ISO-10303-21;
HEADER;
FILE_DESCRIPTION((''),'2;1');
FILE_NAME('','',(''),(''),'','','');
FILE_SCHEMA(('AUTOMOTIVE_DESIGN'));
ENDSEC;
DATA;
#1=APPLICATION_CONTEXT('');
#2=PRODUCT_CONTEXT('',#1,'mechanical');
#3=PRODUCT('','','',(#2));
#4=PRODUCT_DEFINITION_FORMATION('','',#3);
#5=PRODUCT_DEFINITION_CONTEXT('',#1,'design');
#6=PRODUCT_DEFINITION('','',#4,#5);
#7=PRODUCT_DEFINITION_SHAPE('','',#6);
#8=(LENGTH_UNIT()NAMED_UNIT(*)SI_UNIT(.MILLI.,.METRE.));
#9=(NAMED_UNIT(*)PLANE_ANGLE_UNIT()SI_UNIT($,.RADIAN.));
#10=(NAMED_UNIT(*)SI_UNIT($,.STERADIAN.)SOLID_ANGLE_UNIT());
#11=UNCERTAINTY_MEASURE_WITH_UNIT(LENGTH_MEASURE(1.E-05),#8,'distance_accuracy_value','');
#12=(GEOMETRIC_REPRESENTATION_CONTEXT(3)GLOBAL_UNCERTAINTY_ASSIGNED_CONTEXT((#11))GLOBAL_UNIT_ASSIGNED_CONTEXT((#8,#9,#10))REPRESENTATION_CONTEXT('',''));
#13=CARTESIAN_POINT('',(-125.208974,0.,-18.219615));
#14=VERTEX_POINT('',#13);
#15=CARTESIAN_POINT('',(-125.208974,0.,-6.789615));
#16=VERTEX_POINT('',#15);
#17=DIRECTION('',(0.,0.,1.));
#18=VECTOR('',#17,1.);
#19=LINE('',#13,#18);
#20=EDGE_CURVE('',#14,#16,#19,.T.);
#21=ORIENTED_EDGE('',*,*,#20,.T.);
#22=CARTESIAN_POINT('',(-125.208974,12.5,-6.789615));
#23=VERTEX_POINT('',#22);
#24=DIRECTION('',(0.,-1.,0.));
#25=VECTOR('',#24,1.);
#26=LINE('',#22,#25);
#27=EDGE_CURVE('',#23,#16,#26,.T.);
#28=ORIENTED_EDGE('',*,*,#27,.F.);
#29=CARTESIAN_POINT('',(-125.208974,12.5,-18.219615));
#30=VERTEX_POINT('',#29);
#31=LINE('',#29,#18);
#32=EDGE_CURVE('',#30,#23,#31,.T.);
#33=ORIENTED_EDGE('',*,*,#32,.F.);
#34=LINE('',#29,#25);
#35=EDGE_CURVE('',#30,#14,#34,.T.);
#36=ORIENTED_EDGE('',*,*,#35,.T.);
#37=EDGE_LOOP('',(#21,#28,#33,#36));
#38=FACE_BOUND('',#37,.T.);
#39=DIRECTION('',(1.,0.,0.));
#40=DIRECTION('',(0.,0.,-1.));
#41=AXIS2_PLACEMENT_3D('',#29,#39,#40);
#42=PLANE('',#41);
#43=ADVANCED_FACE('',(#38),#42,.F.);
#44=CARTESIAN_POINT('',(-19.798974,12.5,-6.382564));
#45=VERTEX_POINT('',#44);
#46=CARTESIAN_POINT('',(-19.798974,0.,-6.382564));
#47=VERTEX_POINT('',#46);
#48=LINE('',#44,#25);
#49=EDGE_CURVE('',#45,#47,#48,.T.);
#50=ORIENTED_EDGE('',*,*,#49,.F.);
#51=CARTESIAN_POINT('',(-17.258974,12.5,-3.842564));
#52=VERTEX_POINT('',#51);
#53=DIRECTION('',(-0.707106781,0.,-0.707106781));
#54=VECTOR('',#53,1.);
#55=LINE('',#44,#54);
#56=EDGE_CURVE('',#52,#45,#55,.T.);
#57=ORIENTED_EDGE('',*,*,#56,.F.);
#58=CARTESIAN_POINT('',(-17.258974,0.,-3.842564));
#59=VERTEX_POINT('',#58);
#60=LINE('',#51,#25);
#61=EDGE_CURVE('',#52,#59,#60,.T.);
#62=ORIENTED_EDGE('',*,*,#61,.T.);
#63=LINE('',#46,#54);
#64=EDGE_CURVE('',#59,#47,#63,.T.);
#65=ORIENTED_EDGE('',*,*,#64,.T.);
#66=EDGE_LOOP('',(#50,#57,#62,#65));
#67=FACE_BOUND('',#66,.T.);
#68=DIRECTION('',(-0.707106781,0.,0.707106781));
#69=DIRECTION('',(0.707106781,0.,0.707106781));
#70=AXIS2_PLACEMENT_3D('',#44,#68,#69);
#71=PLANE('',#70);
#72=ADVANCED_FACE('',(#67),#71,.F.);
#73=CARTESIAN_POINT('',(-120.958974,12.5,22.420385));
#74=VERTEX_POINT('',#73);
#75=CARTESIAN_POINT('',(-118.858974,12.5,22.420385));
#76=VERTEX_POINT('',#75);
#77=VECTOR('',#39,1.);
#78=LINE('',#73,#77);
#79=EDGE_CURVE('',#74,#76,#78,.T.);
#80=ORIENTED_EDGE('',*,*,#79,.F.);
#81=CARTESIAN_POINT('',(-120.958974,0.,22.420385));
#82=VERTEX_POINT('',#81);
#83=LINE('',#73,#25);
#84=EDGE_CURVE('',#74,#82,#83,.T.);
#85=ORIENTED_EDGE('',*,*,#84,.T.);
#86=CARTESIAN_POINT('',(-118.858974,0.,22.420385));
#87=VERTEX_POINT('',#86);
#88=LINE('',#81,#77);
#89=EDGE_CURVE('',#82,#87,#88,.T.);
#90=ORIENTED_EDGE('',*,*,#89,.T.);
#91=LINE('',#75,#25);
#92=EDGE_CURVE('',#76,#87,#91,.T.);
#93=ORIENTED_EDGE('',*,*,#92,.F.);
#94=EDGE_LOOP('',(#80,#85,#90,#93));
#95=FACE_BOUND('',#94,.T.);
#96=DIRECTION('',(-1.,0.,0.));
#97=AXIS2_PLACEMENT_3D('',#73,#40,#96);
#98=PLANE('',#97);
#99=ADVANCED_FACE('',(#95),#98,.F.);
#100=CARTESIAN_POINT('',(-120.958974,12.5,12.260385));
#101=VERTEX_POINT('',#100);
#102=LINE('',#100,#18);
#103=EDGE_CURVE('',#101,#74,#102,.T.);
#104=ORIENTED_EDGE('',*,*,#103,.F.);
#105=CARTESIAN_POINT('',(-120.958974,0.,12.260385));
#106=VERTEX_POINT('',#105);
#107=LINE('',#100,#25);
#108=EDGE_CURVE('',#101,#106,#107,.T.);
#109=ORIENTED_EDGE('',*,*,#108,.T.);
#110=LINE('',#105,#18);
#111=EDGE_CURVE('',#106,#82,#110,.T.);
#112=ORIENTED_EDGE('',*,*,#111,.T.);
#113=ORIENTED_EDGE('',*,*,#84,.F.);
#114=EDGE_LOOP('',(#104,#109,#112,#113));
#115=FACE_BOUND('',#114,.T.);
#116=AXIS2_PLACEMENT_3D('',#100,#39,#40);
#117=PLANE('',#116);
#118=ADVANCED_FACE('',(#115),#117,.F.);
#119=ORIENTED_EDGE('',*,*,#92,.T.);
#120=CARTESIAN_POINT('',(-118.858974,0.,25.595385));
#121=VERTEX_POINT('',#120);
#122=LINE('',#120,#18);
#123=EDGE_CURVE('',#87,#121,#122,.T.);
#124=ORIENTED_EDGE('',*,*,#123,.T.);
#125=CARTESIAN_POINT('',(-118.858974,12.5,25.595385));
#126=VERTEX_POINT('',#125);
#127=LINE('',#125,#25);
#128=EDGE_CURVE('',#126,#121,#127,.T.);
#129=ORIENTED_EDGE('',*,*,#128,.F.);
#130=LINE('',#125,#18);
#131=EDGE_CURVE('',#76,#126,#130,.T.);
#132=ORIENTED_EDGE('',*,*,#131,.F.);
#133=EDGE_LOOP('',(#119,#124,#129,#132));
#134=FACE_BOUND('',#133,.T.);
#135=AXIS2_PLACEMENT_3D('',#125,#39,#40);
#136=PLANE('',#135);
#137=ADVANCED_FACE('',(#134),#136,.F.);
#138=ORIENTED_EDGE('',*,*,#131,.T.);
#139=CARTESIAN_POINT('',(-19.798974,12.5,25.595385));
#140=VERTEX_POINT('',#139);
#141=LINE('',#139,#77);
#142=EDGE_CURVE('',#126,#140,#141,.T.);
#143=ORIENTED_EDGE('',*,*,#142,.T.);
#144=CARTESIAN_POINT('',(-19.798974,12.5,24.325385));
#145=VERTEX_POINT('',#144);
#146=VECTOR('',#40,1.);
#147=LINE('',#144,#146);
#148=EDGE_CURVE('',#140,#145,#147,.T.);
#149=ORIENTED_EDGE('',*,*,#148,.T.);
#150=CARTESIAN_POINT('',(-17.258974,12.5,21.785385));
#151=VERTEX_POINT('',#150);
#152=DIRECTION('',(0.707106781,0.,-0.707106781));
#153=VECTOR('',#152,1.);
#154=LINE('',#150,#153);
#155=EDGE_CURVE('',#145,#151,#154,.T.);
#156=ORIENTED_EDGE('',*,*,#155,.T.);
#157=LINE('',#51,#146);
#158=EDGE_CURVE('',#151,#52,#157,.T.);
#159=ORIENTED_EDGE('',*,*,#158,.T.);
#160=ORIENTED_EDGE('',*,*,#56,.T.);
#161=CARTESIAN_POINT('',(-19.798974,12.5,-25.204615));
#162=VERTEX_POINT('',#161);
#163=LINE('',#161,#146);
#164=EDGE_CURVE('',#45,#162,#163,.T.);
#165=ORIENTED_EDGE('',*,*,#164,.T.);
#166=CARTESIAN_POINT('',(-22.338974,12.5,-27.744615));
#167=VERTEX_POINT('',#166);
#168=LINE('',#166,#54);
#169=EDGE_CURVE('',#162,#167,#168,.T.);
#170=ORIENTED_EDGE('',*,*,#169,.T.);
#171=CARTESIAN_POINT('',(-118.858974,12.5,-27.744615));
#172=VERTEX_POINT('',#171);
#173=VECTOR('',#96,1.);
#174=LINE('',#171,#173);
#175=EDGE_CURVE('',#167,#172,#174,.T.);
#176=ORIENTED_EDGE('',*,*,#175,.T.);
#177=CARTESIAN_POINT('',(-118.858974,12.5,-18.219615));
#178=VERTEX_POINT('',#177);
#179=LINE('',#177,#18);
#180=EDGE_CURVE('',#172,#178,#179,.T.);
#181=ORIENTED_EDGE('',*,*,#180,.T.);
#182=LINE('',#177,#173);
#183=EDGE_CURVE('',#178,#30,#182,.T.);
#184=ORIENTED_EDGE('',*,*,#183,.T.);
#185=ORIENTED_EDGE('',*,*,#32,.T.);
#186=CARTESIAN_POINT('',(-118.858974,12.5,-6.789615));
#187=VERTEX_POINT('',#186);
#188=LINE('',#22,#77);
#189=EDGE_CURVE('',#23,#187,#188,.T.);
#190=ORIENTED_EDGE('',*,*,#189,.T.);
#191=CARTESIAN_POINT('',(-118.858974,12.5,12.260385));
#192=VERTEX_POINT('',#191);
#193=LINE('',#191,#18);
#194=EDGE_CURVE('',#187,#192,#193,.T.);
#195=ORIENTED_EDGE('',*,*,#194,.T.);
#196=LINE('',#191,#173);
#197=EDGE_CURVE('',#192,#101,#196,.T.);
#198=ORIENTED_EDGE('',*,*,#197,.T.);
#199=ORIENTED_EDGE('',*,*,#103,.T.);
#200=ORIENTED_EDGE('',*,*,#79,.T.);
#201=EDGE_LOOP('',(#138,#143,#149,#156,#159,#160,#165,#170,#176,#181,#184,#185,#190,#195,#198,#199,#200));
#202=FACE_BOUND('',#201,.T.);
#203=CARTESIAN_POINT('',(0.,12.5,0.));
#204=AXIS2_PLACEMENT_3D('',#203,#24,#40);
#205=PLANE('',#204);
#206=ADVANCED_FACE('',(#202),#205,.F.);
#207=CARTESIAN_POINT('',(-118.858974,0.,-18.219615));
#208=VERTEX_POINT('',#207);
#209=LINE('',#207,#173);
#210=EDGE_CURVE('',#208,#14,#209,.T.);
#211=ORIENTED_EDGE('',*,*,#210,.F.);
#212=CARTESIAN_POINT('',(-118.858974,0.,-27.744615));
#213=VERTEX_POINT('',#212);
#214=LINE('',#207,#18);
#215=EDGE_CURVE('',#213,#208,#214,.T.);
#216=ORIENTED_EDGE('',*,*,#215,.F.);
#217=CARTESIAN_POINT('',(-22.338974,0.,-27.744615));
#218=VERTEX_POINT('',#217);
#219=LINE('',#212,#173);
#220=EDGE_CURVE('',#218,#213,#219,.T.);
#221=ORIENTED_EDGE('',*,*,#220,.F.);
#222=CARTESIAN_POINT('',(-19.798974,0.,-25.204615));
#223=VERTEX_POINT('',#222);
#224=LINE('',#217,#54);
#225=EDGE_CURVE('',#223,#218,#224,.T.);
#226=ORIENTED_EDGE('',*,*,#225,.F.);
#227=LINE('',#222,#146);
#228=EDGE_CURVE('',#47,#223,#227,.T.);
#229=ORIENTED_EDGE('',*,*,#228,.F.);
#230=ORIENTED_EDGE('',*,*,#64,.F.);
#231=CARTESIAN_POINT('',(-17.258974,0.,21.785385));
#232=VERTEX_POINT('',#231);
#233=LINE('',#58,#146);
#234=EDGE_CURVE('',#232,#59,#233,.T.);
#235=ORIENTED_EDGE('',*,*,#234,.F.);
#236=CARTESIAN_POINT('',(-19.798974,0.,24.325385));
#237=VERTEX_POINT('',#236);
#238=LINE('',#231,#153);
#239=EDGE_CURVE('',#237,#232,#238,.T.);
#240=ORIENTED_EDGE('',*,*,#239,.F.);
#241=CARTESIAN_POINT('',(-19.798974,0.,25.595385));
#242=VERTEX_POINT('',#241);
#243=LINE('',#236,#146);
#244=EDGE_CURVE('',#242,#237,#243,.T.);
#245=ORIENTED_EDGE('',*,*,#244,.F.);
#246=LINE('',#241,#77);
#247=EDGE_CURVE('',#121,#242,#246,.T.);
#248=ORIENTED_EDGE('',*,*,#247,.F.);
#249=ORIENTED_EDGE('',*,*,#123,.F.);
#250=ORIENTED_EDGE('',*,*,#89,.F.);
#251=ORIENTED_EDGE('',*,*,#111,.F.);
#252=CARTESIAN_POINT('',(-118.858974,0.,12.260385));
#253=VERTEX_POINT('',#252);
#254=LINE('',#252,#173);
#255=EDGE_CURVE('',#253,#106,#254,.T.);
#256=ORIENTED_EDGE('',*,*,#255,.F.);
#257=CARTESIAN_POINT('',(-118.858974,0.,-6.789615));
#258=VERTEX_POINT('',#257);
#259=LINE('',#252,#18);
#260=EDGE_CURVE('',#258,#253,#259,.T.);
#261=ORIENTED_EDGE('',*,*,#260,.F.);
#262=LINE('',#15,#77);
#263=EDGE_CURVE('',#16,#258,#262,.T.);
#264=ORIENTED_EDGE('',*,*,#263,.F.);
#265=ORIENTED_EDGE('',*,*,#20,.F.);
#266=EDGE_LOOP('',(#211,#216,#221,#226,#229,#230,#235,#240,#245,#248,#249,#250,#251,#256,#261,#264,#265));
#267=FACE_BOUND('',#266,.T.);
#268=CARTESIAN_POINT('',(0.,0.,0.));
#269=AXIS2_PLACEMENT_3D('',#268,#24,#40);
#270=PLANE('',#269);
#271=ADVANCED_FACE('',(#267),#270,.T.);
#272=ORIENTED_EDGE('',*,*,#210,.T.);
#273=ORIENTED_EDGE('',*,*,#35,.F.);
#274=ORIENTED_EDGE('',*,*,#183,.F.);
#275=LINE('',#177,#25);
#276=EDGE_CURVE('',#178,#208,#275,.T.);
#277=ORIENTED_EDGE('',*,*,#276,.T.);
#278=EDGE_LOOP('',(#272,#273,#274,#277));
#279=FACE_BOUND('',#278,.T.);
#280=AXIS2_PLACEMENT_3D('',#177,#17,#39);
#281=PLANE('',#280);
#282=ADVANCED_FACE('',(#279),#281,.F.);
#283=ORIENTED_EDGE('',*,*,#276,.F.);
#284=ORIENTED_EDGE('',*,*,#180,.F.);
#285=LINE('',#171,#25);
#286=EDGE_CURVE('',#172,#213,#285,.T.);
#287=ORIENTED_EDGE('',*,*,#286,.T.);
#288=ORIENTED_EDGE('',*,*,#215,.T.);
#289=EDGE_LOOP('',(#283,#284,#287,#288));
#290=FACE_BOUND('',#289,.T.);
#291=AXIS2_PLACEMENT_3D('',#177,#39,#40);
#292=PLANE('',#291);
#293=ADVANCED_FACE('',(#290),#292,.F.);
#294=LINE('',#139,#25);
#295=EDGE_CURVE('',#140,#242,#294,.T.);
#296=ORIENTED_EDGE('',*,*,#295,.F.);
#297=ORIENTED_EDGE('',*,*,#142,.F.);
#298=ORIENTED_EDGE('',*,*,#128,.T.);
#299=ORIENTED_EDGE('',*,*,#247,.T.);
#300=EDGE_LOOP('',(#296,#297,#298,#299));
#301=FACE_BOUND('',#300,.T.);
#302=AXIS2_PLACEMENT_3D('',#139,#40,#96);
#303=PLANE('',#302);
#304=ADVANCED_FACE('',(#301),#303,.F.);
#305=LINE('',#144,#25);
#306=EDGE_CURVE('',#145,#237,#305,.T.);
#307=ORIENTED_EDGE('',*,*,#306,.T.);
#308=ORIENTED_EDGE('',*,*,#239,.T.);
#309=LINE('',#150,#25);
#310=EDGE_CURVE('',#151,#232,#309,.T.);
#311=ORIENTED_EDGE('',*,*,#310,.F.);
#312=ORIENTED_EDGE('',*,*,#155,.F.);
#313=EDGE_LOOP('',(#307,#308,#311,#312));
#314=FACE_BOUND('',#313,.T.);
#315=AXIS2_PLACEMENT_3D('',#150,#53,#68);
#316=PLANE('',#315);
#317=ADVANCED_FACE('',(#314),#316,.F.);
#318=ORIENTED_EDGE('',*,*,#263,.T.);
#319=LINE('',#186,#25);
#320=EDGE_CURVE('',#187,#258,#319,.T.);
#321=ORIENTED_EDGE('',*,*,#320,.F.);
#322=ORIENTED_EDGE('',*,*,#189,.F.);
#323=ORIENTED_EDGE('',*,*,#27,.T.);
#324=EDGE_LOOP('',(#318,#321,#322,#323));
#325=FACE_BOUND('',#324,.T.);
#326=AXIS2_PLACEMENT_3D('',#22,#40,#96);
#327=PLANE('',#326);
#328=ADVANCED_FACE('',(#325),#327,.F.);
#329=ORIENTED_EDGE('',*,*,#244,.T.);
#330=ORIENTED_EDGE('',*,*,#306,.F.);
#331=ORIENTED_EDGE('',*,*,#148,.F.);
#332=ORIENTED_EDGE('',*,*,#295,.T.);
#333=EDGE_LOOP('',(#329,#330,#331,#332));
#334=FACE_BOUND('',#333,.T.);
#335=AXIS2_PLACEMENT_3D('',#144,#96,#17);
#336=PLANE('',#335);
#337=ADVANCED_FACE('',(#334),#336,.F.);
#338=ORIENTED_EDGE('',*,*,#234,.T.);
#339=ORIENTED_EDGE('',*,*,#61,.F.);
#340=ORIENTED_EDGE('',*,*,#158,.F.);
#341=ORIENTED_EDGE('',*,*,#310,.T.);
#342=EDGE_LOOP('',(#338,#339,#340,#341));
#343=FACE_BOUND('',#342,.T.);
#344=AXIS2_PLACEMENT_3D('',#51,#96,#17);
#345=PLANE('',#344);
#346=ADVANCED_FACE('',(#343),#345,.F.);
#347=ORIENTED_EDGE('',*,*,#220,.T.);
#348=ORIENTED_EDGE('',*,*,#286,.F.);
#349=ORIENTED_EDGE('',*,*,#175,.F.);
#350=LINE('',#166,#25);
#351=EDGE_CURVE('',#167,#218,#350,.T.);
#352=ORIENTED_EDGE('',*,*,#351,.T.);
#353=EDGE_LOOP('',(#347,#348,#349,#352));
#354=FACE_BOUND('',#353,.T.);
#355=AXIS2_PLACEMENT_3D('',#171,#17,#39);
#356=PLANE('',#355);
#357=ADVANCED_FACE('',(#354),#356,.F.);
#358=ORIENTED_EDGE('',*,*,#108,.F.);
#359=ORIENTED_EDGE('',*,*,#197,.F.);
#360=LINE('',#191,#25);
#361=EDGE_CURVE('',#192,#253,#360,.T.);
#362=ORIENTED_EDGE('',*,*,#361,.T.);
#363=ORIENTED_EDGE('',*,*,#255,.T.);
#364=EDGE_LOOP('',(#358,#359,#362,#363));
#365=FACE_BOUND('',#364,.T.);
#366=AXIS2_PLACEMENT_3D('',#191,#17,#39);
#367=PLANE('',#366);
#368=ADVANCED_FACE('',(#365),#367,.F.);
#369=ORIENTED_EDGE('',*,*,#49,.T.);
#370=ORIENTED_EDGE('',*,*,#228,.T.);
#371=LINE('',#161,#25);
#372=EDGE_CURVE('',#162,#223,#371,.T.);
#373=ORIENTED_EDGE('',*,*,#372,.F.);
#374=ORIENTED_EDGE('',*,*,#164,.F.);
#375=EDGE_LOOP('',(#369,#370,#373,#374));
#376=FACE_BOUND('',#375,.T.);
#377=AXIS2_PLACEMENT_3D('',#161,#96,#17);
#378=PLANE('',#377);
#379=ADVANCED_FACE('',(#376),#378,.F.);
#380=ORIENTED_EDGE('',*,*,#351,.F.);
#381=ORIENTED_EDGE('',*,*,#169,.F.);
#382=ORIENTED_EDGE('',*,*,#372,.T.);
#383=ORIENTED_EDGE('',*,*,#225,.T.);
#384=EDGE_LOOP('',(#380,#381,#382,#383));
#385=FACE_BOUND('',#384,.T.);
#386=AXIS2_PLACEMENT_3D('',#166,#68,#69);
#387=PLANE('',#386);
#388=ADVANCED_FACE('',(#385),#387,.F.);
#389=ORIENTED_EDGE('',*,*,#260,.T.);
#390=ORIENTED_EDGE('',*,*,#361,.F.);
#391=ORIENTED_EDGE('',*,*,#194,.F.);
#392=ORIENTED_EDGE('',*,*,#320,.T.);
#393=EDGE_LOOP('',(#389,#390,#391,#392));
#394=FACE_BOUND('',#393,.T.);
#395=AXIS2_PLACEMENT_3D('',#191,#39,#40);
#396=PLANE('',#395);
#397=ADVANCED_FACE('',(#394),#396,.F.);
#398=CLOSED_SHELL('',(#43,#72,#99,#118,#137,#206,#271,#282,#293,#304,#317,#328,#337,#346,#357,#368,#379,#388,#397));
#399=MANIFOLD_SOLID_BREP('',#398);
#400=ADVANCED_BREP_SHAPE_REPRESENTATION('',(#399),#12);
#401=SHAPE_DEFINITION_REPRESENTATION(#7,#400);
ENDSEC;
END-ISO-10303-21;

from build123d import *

# Parameters (mm, degrees)
BOSS_EXTRUDE1_DEPTH = 12.5


with BuildPart() as part:
    # Sketch1 → Boss-Extrude1 (new body)
    with BuildSketch(Plane(origin=(0, 0, 0), x_dir=(1, 0, 0), z_dir=(0, 1, 0))):
        Polygon((-118.858974359, -25.595384615), (-118.858974359, -22.420384615), (-120.958974359, -22.420384615), (-120.958974359, -12.260384615), (-118.858974359, -12.260384615), (-118.858974359, 6.789615385), (-125.208974359, 6.789615385), (-125.208974359, 18.219615385), (-118.858974359, 18.219615385), (-118.858974359, 27.744615385), (-22.338974359, 27.744615385), (-19.798974359, 25.204615385), (-19.798974359, 6.382564103), (-17.258974359, 3.842564103), (-17.258974359, -21.785384615), (-19.798974359, -24.325384615), (-19.798974359, -25.595384615), align=None)
    extrude(amount=BOSS_EXTRUDE1_DEPTH)


solid = part.part
